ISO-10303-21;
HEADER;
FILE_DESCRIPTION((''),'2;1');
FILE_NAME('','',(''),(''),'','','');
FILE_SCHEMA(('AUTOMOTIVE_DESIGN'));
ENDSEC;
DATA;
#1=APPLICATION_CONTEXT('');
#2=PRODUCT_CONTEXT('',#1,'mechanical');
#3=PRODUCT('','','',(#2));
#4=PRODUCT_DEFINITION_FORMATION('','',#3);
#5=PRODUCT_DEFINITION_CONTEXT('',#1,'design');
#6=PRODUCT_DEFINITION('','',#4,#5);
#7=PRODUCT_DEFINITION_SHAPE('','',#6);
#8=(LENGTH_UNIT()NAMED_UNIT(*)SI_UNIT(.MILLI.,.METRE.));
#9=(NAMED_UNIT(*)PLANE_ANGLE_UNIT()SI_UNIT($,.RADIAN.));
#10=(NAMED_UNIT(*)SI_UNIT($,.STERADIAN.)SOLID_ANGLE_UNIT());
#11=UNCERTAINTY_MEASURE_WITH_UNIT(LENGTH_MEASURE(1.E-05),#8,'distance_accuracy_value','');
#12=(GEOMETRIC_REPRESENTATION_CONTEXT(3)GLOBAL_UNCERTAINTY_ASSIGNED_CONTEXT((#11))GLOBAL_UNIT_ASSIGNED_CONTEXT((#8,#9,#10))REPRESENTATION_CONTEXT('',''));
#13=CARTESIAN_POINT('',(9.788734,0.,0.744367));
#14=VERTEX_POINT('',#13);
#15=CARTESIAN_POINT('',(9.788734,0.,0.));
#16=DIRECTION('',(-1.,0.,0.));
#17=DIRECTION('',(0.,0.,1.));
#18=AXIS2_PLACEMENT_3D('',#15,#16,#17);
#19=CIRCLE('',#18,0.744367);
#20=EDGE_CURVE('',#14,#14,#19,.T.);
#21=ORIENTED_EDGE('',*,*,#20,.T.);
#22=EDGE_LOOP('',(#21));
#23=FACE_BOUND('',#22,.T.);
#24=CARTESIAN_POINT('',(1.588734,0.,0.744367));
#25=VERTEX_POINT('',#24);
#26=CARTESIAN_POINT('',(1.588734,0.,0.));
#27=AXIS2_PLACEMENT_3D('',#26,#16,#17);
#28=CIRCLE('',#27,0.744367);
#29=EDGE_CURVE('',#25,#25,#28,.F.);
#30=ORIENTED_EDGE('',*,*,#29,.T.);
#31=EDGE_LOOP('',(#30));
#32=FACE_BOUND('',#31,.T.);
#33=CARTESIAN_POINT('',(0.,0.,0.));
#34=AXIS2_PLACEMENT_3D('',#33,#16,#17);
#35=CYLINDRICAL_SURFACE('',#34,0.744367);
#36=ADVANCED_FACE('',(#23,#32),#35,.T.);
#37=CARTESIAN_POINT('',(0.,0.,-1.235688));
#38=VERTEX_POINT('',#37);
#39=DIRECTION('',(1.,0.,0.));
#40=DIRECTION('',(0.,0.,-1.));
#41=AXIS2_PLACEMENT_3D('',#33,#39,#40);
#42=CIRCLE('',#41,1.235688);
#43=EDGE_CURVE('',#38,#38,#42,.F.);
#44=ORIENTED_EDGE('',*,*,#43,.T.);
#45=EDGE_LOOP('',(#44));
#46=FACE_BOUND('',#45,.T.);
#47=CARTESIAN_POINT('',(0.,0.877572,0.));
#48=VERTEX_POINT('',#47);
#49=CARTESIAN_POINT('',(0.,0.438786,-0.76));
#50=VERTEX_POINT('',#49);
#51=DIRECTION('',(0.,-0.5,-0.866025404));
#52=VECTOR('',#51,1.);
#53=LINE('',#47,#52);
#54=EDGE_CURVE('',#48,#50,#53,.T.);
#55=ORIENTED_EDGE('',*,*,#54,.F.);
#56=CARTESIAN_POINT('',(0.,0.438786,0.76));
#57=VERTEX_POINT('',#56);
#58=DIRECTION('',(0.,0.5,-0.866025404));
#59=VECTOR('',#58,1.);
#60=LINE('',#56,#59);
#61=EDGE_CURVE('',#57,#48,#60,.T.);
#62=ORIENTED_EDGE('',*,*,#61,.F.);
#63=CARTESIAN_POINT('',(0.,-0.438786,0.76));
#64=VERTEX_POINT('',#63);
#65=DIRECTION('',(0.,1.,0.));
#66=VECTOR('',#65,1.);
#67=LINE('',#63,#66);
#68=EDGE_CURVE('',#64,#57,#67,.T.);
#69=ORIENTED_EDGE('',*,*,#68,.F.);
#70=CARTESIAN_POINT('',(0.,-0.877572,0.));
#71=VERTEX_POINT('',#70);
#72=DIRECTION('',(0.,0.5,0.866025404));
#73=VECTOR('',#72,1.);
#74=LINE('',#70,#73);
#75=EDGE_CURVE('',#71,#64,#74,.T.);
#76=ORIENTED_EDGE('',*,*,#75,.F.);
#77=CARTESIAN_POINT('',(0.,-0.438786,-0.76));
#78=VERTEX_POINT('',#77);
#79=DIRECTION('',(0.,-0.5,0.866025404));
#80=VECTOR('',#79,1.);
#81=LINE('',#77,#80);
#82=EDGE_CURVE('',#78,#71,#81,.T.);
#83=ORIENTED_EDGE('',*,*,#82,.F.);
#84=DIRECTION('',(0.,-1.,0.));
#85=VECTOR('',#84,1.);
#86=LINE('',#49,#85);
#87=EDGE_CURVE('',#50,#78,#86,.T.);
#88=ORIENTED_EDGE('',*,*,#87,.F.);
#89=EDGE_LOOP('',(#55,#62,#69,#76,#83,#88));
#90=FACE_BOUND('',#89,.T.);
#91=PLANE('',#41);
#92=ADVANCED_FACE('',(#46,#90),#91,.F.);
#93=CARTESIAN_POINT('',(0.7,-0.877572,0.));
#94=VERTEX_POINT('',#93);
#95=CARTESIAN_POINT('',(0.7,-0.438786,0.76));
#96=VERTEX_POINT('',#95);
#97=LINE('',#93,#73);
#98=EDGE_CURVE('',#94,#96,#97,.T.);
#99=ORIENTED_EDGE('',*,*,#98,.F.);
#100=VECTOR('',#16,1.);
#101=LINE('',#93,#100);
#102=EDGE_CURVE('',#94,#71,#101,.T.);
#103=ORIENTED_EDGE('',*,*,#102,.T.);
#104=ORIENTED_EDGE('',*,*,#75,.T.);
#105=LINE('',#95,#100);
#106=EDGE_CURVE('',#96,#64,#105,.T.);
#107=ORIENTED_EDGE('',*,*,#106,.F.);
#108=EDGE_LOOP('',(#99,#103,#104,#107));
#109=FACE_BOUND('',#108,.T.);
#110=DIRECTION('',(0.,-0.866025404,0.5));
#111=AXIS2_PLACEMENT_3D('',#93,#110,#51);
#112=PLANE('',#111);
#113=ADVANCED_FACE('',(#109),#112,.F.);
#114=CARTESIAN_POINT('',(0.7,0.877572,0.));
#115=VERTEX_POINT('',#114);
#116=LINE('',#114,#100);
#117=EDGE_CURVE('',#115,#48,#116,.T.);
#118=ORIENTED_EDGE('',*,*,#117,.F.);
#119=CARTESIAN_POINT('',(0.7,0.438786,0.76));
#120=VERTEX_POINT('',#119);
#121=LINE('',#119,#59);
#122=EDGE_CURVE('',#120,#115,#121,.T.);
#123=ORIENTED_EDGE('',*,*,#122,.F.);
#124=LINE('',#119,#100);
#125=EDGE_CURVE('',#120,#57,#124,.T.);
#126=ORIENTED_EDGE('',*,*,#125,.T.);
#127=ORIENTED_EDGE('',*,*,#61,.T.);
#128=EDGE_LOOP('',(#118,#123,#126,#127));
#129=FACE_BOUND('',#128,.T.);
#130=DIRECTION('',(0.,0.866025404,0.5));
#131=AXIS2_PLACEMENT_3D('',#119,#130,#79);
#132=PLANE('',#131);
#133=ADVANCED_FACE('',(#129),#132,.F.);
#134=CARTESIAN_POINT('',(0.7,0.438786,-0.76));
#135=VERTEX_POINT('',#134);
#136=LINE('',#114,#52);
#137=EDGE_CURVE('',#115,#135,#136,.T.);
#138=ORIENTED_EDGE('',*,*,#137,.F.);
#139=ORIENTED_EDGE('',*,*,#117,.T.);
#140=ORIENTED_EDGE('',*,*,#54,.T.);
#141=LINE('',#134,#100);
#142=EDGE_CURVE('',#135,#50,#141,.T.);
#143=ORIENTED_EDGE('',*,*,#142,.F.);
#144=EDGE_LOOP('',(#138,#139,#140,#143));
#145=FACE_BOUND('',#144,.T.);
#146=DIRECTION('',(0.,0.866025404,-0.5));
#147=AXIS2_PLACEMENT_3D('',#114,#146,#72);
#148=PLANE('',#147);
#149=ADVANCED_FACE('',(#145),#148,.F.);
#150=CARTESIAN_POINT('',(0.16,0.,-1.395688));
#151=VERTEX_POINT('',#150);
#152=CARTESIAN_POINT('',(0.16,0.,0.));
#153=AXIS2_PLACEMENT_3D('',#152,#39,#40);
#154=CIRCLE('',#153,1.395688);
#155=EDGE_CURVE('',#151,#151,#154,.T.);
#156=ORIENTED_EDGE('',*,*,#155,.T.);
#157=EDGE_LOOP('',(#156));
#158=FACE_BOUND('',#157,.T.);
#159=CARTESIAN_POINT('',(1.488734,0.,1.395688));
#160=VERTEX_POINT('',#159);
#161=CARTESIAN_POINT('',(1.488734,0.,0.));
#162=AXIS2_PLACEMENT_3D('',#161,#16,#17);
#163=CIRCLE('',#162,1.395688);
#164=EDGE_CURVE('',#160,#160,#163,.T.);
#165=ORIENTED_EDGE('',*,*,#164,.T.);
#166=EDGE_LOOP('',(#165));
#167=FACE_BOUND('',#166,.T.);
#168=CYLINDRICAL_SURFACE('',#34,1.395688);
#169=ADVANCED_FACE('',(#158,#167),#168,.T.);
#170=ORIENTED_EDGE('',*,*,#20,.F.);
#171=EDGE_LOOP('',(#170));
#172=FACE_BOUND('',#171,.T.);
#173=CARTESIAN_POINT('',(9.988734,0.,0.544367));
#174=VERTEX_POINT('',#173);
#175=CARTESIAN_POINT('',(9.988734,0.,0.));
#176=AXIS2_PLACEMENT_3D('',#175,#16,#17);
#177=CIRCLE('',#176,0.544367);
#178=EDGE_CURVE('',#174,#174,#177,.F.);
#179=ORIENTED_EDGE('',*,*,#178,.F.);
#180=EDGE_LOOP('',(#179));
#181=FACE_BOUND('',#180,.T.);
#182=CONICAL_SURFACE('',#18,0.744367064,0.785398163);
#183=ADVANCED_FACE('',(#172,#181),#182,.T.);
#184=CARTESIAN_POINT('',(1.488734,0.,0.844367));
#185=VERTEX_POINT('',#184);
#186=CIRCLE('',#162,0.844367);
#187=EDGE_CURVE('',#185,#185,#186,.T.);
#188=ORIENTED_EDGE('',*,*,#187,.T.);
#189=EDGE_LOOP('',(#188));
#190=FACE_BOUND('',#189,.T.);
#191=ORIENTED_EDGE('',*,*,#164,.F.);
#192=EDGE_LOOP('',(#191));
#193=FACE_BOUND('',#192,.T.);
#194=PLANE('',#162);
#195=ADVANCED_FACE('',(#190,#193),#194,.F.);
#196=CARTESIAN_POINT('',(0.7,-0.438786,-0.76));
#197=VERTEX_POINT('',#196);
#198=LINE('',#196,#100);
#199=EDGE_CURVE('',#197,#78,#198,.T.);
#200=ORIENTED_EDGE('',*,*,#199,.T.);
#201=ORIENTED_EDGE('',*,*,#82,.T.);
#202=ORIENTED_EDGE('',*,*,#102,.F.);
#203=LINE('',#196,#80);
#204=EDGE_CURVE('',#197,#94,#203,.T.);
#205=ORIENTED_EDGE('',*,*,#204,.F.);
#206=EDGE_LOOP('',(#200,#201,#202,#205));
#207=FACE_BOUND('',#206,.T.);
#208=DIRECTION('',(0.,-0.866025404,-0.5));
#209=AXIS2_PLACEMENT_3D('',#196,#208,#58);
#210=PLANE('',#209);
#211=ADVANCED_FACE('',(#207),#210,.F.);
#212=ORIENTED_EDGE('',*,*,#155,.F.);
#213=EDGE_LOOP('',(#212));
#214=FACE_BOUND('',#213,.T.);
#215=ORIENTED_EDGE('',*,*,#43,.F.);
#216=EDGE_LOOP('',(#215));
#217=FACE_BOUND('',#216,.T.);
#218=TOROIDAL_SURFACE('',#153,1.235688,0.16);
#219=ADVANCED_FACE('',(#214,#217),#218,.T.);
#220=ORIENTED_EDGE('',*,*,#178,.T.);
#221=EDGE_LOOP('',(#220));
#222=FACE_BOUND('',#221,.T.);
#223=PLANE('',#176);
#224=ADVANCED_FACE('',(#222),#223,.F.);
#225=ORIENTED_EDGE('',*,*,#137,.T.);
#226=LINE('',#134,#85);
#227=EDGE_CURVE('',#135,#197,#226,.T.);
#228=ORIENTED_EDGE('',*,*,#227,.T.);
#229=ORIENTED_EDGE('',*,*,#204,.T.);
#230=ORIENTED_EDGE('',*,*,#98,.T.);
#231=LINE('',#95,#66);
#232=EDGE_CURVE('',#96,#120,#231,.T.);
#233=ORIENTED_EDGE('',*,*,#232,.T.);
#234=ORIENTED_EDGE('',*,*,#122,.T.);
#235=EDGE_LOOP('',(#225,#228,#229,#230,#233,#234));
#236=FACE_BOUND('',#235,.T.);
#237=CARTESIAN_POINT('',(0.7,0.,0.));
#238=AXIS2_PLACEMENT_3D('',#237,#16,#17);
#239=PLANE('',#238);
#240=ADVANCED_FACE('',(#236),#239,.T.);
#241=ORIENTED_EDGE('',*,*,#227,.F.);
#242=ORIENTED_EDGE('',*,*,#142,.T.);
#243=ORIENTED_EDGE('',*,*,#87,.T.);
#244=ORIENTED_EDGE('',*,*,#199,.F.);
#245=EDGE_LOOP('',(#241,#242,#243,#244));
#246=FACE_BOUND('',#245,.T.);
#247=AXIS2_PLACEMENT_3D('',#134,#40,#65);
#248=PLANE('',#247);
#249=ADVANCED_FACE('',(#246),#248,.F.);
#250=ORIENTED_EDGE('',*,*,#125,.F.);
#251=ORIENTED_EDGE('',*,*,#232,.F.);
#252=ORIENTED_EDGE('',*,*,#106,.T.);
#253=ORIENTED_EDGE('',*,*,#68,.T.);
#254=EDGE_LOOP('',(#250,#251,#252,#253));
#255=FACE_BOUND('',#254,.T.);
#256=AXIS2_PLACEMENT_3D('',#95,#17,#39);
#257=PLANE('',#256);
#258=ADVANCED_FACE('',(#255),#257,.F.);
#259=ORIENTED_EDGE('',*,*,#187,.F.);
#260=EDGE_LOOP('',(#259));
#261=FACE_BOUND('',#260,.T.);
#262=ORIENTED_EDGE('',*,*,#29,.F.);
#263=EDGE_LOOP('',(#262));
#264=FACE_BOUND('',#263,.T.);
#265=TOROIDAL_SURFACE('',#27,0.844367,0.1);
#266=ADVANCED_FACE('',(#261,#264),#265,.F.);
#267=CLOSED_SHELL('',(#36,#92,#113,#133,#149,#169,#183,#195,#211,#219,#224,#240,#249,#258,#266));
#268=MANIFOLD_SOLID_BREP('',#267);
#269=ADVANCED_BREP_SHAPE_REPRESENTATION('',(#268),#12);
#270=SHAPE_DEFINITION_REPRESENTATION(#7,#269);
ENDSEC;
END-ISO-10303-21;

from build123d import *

# Parameters (mm, degrees)
FILLET1_R      = 0.1
FILLET2_R      = 0.16
CHAMFER1_SIZE  = 0.2
EXTRUDE1_DEPTH = 0.7


with BuildPart() as part:
    # Sketch1 → Revolve1 (revolve)
    with BuildSketch(Plane.XY, mode=Mode.PRIVATE) as revolve1_sk:
        Polygon((0, 1.395688245), (0, 0), (9.988734128, 0), (9.988734128, 0.744367064), (1.488734128, 0.744367064), (1.488734128, 1.395688245), align=None)
    revolve(revolve1_sk.sketch.rotate(Axis((0, 0, 0), (1, 0, 0)), 90), axis=Axis((0, 0, 0), (1, 0, 0)))

    # Fillet1
    fillet1_edges = [part.edges().sort_by_distance(p)[0] for p in [
        (1.488734128, 0, -0.744367064),
    ]]
    fillet(fillet1_edges, radius=FILLET1_R)

    # Fillet2
    fillet2_edges = [part.edges().sort_by_distance(p)[0] for p in [
        (0, 0, -1.395688245),
    ]]
    fillet(fillet2_edges, radius=FILLET2_R)

    # Chamfer1
    chamfer1_edges = [part.edges().sort_by_distance(p)[0] for p in [
        (9.988734128, 0, -0.744367064),
    ]]
    chamfer(chamfer1_edges, length=CHAMFER1_SIZE)

    # Sketch2 → Extrude1 (cut)
    with BuildSketch(Plane.ZY):
        Polygon((0, 0.877572409), (-0.76, 0.438786205), (-0.76, -0.438786205), (0, -0.877572409), (0.76, -0.438786205), (0.76, 0.438786205), align=None)
    extrude(amount=-EXTRUDE1_DEPTH, mode=Mode.SUBTRACT)


solid = part.part
